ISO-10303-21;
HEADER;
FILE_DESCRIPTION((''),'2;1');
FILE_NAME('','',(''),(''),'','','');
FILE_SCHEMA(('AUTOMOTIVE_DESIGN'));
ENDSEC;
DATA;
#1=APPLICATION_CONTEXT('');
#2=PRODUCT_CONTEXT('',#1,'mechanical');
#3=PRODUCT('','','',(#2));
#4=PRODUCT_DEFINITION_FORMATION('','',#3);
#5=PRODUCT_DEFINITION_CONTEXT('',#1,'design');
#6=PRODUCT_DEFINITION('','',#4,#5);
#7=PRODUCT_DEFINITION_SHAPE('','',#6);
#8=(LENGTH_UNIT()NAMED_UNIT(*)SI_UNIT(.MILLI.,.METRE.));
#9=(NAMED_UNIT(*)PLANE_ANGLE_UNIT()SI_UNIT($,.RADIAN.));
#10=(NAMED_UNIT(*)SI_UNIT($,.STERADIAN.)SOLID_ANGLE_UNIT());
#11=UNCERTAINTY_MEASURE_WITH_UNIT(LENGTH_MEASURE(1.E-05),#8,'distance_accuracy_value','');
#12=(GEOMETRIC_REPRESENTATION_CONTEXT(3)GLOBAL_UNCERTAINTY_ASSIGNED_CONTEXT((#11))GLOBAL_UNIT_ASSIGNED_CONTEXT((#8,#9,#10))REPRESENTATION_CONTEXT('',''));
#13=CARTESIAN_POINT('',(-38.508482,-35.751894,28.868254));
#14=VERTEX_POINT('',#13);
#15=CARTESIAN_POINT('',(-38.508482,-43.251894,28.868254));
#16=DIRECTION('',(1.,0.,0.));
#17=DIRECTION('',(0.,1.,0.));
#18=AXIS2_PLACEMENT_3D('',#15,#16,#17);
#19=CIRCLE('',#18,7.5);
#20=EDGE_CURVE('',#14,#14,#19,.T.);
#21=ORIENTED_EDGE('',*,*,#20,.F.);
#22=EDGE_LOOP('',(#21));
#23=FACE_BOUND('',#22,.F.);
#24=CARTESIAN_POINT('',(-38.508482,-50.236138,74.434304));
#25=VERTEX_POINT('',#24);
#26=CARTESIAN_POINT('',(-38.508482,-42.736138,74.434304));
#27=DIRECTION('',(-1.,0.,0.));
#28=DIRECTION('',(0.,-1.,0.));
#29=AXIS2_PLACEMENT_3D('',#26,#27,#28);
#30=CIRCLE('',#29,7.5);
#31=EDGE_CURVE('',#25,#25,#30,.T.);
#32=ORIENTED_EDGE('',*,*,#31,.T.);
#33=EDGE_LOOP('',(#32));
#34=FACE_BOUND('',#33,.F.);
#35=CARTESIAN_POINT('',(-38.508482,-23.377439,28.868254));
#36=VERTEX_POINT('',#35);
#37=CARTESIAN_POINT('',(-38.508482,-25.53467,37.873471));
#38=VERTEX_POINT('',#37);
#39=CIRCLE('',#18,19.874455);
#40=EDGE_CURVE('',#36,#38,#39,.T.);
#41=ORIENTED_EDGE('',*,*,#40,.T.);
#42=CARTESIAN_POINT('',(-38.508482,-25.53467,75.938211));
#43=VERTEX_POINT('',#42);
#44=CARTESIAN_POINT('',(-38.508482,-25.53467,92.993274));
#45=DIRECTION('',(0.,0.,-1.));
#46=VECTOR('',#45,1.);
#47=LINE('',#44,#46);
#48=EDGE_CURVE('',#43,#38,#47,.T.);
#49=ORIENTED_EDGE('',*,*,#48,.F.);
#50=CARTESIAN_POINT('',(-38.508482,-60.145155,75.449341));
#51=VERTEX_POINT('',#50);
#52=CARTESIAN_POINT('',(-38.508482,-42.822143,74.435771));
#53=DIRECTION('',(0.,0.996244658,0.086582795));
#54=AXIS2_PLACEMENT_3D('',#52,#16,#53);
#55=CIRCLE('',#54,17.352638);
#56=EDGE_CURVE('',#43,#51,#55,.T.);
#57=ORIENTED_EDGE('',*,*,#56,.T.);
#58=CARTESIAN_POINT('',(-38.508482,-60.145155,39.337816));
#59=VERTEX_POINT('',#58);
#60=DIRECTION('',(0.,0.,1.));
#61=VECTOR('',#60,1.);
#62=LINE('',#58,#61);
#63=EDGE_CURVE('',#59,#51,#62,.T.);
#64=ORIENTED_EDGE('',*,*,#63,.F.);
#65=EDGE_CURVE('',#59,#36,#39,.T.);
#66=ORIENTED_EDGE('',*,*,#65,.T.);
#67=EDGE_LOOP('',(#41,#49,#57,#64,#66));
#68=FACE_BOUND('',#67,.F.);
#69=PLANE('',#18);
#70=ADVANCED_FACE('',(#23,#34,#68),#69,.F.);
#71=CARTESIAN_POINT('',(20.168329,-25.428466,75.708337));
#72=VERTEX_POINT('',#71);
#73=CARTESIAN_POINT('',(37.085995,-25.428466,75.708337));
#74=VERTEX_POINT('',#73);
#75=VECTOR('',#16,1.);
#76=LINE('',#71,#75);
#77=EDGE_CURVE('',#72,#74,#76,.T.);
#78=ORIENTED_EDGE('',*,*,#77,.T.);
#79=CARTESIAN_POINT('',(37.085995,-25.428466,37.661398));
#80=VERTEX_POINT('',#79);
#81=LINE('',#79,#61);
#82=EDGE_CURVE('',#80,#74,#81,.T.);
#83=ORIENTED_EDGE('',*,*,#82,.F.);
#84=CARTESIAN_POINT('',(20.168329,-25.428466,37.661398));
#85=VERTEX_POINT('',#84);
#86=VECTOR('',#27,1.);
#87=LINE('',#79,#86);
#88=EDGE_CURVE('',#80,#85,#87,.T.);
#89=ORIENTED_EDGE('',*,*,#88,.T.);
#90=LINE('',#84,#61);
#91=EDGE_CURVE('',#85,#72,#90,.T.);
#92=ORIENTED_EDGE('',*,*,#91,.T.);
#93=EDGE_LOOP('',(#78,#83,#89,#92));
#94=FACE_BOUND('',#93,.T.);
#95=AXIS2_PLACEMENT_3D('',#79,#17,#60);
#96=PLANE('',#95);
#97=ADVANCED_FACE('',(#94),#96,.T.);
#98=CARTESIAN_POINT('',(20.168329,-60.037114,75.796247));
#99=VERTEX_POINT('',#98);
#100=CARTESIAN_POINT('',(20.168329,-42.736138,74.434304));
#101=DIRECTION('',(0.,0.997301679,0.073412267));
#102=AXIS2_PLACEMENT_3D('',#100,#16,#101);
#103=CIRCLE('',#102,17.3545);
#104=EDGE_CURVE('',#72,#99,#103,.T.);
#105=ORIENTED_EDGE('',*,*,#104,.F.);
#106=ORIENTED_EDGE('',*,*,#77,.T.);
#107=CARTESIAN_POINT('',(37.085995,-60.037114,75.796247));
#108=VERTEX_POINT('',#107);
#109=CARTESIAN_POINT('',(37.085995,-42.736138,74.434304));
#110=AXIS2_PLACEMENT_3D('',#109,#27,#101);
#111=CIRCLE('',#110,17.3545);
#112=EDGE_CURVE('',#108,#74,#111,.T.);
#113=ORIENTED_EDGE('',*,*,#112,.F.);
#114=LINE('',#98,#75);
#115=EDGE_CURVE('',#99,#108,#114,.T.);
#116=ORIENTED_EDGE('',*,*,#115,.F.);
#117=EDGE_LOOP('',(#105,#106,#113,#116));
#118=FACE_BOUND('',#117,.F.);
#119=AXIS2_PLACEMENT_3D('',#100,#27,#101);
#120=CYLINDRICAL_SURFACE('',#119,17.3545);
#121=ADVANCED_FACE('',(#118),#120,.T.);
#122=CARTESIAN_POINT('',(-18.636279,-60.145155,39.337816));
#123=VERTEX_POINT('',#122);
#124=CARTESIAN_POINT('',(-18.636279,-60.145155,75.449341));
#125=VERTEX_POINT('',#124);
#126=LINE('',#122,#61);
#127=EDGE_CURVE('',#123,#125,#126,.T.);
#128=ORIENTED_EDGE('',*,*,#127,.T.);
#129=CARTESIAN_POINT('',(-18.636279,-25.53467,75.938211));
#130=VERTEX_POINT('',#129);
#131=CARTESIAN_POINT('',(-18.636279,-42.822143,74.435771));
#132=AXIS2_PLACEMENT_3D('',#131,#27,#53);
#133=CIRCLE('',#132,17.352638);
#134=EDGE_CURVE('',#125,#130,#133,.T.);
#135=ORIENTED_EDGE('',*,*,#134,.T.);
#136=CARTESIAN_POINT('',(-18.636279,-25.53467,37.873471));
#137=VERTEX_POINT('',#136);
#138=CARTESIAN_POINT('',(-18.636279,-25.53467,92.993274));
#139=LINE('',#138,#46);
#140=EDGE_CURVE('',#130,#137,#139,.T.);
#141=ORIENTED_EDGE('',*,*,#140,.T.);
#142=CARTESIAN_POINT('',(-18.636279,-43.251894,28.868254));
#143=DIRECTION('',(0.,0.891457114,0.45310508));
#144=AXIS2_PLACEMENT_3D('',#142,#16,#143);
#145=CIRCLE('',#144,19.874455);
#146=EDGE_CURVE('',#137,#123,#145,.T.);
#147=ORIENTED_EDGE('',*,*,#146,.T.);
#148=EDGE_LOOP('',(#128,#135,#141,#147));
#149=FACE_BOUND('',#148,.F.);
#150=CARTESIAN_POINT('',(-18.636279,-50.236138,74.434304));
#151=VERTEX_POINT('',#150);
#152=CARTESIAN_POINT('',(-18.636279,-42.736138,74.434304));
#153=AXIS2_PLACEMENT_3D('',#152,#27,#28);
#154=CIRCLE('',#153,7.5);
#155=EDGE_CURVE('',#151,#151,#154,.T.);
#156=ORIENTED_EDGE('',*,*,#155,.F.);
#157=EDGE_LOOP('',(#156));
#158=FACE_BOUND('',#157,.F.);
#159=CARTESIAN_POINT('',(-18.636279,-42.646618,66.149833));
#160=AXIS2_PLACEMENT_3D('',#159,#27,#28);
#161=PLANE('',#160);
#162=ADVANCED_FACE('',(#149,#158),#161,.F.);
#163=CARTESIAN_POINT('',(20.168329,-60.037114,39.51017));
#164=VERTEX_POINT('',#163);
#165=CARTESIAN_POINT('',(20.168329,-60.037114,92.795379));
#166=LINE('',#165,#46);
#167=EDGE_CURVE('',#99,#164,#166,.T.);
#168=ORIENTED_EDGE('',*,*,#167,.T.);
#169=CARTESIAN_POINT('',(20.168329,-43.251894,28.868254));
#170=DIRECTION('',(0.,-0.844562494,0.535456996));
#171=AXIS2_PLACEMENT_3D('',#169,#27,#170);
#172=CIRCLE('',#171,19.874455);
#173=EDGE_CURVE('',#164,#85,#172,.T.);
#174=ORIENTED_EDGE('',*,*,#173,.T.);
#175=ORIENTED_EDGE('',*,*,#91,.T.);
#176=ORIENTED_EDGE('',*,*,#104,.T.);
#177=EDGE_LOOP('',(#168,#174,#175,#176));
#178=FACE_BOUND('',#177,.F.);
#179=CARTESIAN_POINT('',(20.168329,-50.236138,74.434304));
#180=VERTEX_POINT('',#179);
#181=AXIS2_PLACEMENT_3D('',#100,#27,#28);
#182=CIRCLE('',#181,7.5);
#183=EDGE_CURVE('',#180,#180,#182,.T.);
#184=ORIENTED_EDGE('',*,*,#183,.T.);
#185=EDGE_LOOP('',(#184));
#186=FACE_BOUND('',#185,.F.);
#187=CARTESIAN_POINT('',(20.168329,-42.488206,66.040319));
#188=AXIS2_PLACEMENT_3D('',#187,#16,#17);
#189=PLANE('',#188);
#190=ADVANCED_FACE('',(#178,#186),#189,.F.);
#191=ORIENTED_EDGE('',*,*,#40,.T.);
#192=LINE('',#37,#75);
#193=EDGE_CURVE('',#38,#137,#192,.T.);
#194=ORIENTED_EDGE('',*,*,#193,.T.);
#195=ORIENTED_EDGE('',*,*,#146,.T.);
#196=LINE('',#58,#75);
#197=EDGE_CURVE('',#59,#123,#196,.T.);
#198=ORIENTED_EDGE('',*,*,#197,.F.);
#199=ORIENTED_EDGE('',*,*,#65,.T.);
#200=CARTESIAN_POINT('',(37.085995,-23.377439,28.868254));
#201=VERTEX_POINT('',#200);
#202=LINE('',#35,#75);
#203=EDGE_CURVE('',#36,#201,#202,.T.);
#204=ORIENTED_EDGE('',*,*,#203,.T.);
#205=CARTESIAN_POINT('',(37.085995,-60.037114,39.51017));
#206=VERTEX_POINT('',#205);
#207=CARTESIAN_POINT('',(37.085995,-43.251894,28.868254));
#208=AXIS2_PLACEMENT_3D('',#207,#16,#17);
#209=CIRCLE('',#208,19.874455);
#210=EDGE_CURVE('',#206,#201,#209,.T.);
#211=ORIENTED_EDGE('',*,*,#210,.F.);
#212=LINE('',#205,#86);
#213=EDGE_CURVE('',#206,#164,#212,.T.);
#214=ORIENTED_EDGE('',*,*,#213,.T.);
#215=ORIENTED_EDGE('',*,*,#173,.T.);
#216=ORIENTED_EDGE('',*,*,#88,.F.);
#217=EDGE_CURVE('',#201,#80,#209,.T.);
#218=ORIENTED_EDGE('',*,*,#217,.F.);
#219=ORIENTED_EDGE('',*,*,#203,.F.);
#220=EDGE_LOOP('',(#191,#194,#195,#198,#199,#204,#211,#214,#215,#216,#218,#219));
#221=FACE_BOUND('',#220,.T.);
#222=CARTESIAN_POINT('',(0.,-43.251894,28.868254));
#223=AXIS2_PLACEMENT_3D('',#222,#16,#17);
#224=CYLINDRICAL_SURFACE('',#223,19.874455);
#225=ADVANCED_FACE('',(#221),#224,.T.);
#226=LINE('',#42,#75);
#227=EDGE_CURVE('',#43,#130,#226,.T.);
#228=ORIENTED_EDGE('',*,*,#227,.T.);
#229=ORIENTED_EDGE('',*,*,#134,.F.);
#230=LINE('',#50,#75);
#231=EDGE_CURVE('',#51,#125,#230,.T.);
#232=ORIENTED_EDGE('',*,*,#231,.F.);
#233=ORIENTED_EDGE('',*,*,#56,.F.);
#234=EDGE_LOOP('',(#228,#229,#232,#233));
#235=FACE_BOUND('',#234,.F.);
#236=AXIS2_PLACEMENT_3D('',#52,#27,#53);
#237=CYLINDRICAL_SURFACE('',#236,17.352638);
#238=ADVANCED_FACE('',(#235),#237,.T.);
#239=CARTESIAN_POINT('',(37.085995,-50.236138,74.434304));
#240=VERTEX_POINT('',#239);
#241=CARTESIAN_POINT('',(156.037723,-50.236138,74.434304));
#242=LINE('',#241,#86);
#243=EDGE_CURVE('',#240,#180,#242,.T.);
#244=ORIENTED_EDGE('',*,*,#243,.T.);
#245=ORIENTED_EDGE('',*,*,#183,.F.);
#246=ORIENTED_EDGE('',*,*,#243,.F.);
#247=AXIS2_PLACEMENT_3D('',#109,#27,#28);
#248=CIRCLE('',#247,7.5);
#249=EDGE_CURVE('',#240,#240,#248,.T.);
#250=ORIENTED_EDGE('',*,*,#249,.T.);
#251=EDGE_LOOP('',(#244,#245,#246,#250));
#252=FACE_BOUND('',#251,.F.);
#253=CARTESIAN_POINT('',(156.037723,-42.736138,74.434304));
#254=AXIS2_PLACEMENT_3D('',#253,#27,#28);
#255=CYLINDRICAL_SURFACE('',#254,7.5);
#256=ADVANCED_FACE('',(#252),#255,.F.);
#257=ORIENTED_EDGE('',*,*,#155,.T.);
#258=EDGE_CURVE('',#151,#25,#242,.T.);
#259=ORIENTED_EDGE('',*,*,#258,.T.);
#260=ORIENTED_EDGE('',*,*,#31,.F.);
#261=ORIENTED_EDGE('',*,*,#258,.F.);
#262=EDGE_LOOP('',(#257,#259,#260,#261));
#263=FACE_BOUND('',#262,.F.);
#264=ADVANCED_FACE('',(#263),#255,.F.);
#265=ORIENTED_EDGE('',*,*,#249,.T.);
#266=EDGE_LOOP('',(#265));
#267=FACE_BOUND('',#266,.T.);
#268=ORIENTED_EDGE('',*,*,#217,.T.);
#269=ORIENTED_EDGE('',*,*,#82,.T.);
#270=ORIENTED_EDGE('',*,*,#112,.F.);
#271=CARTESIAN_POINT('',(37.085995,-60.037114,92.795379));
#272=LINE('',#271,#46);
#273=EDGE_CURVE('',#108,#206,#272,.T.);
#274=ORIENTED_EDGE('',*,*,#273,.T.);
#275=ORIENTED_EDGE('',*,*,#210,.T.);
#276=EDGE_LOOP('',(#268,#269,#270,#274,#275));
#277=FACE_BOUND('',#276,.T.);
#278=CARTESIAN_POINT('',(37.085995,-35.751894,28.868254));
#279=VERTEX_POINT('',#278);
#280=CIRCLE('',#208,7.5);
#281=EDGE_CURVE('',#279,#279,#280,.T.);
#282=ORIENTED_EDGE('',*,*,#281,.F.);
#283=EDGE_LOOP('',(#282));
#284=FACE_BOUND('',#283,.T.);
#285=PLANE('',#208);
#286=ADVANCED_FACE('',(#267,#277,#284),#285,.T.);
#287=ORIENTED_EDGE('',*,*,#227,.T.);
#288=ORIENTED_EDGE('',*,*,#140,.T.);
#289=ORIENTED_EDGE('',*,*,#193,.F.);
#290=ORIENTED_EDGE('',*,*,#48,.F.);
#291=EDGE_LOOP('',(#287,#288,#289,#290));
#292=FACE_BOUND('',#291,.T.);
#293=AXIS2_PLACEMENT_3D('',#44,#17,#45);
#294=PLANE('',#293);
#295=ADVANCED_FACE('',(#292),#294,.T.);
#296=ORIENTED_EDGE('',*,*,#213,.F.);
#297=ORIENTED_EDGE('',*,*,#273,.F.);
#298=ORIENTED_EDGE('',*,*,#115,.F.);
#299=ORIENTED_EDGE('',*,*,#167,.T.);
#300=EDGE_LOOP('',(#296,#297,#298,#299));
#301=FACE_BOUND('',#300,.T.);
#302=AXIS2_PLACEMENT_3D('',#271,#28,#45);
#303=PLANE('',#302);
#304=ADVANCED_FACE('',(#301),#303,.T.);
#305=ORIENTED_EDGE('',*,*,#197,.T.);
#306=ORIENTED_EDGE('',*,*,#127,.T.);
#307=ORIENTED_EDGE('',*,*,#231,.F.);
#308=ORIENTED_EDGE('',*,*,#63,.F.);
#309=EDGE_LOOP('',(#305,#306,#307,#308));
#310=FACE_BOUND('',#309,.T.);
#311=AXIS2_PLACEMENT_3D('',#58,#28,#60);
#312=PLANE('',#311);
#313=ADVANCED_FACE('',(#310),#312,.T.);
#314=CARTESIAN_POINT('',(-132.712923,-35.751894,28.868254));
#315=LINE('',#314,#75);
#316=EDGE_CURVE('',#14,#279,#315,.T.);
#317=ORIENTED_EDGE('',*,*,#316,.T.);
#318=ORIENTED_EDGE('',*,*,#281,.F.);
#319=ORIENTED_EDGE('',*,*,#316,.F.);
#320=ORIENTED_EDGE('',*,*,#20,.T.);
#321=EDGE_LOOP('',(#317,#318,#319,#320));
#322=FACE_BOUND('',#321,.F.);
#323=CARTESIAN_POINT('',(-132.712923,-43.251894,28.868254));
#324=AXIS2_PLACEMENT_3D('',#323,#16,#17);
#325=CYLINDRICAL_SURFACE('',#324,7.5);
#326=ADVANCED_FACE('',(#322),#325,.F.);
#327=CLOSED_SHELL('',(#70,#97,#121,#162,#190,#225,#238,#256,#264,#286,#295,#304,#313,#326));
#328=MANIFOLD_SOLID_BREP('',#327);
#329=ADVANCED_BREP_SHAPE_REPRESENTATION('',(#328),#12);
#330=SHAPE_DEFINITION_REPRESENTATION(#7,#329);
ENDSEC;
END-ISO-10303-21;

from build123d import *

# Parameters (mm, degrees)
F0_R          = 19.8744550468
F1_DEPTH      = 37.0859950781
F1_DEPTH_BACK = 38.5084822774
F3_D          = 15
F6_DEPTH      = 19.8722034693
F7_DEPTH      = 16.9176664203
F9_DEPTH      = 25
F11_DEPTH     = 25
F13_D         = 15


with BuildPart() as f1:
    # F0 (on Right) → F1 (new body, two sides)
    with BuildSketch(Plane.YZ) as f1_sk:
        with Locations((-43.2518944144, 28.8682542741)):
            Circle(F0_R)
    extrude(amount=F1_DEPTH)
    extrude(f1_sk.sketch, amount=-F1_DEPTH_BACK)

    # F3 (through all)
    with Locations(Plane(origin=(-38.5084822774, 0, 0), x_dir=(0, -1, 0), z_dir=(-1, 0, 0))):
        with Locations((43.2518944144, 28.8682542741)):
            Hole(F3_D / 2)

    # F4 (on face) → F6 (join)
    with BuildSketch(Plane(origin=(-38.5084822774, 0, 0), x_dir=(0, -1, 0), z_dir=(-1, 0, 0))):
        with BuildLine():
            Line((25.5346700703, 92.9932743311), (25.5346700703, 37.8734708149))
            ThreePointArc((25.5346700703, 37.8734708149), (42.4117718159, 48.7249447694), (60.1451545954, 39.3378160541))
            Line((60.1451545954, 39.3378160541), (60.1451545954, 92.9932743311))
            Line((60.1451545954, 92.9932743311), (25.5346700703, 92.9932743311))
        make_face()
    extrude(amount=-F6_DEPTH)

    # F5 (on face) → F7 (join)
    with BuildSketch(Plane.YZ.offset(37.0859950781)):
        with BuildLine():
            ThreePointArc((-60.0371137261, 39.51017027), (-42.1917249238, 48.7144126948), (-25.4284662629, 37.6613977583))
            Line((-25.4284662629, 37.6613977583), (-25.4284662629, 92.7953794599))
            Line((-25.4284662629, 92.7953794599), (-60.0371137261, 92.7953794599))
            Line((-60.0371137261, 92.7953794599), (-60.0371137261, 39.51017027))
        make_face()
    extrude(amount=-F7_DEPTH)

    # F8 (on face) → F9 (cut)
    with BuildSketch(Plane(origin=(-38.5084822774, 0, 0), x_dir=(0, -1, 0), z_dir=(-1, 0, 0))):
        with BuildLine():
            ThreePointArc((25.5346700703, 75.9382109612), (43.0672230686, 91.7866784097), (60.1451545954, 75.4493411154))
            Line((60.1451545954, 75.4493411154), (60.1451545954, 92.9932743311))
            Line((60.1451545954, 92.9932743311), (25.5346700703, 92.9932743311))
            Line((25.5346700703, 92.9932743311), (25.5346700703, 75.9382109612))
        make_face()
    extrude(amount=-F9_DEPTH, mode=Mode.SUBTRACT)

    # F10 (on face) → F11 (cut)
    with BuildSketch(Plane(origin=(20.1683286577, 0, 0), x_dir=(0, -1, 0), z_dir=(-1, 0, 0))):
        with BuildLine():
            ThreePointArc((25.4284662629, 75.7083371282), (42.6920558049, 91.7887475509), (60.0371137261, 75.7962465286))
            Line((60.0371137261, 75.7962465286), (60.0371137261, 92.7953794599))
            Line((60.0371137261, 92.7953794599), (25.4284662629, 92.7953794599))
            Line((25.4284662629, 92.7953794599), (25.4284662629, 75.7083371282))
        make_face()
    extrude(amount=-F11_DEPTH, mode=Mode.SUBTRACT)

    # F13 (through all)
    with Locations(Plane.YZ.offset(37.0859950781)):
        with Locations((-42.7361378145, 74.4343039762)):
            Hole(F13_D / 2)


solid = f1.part
